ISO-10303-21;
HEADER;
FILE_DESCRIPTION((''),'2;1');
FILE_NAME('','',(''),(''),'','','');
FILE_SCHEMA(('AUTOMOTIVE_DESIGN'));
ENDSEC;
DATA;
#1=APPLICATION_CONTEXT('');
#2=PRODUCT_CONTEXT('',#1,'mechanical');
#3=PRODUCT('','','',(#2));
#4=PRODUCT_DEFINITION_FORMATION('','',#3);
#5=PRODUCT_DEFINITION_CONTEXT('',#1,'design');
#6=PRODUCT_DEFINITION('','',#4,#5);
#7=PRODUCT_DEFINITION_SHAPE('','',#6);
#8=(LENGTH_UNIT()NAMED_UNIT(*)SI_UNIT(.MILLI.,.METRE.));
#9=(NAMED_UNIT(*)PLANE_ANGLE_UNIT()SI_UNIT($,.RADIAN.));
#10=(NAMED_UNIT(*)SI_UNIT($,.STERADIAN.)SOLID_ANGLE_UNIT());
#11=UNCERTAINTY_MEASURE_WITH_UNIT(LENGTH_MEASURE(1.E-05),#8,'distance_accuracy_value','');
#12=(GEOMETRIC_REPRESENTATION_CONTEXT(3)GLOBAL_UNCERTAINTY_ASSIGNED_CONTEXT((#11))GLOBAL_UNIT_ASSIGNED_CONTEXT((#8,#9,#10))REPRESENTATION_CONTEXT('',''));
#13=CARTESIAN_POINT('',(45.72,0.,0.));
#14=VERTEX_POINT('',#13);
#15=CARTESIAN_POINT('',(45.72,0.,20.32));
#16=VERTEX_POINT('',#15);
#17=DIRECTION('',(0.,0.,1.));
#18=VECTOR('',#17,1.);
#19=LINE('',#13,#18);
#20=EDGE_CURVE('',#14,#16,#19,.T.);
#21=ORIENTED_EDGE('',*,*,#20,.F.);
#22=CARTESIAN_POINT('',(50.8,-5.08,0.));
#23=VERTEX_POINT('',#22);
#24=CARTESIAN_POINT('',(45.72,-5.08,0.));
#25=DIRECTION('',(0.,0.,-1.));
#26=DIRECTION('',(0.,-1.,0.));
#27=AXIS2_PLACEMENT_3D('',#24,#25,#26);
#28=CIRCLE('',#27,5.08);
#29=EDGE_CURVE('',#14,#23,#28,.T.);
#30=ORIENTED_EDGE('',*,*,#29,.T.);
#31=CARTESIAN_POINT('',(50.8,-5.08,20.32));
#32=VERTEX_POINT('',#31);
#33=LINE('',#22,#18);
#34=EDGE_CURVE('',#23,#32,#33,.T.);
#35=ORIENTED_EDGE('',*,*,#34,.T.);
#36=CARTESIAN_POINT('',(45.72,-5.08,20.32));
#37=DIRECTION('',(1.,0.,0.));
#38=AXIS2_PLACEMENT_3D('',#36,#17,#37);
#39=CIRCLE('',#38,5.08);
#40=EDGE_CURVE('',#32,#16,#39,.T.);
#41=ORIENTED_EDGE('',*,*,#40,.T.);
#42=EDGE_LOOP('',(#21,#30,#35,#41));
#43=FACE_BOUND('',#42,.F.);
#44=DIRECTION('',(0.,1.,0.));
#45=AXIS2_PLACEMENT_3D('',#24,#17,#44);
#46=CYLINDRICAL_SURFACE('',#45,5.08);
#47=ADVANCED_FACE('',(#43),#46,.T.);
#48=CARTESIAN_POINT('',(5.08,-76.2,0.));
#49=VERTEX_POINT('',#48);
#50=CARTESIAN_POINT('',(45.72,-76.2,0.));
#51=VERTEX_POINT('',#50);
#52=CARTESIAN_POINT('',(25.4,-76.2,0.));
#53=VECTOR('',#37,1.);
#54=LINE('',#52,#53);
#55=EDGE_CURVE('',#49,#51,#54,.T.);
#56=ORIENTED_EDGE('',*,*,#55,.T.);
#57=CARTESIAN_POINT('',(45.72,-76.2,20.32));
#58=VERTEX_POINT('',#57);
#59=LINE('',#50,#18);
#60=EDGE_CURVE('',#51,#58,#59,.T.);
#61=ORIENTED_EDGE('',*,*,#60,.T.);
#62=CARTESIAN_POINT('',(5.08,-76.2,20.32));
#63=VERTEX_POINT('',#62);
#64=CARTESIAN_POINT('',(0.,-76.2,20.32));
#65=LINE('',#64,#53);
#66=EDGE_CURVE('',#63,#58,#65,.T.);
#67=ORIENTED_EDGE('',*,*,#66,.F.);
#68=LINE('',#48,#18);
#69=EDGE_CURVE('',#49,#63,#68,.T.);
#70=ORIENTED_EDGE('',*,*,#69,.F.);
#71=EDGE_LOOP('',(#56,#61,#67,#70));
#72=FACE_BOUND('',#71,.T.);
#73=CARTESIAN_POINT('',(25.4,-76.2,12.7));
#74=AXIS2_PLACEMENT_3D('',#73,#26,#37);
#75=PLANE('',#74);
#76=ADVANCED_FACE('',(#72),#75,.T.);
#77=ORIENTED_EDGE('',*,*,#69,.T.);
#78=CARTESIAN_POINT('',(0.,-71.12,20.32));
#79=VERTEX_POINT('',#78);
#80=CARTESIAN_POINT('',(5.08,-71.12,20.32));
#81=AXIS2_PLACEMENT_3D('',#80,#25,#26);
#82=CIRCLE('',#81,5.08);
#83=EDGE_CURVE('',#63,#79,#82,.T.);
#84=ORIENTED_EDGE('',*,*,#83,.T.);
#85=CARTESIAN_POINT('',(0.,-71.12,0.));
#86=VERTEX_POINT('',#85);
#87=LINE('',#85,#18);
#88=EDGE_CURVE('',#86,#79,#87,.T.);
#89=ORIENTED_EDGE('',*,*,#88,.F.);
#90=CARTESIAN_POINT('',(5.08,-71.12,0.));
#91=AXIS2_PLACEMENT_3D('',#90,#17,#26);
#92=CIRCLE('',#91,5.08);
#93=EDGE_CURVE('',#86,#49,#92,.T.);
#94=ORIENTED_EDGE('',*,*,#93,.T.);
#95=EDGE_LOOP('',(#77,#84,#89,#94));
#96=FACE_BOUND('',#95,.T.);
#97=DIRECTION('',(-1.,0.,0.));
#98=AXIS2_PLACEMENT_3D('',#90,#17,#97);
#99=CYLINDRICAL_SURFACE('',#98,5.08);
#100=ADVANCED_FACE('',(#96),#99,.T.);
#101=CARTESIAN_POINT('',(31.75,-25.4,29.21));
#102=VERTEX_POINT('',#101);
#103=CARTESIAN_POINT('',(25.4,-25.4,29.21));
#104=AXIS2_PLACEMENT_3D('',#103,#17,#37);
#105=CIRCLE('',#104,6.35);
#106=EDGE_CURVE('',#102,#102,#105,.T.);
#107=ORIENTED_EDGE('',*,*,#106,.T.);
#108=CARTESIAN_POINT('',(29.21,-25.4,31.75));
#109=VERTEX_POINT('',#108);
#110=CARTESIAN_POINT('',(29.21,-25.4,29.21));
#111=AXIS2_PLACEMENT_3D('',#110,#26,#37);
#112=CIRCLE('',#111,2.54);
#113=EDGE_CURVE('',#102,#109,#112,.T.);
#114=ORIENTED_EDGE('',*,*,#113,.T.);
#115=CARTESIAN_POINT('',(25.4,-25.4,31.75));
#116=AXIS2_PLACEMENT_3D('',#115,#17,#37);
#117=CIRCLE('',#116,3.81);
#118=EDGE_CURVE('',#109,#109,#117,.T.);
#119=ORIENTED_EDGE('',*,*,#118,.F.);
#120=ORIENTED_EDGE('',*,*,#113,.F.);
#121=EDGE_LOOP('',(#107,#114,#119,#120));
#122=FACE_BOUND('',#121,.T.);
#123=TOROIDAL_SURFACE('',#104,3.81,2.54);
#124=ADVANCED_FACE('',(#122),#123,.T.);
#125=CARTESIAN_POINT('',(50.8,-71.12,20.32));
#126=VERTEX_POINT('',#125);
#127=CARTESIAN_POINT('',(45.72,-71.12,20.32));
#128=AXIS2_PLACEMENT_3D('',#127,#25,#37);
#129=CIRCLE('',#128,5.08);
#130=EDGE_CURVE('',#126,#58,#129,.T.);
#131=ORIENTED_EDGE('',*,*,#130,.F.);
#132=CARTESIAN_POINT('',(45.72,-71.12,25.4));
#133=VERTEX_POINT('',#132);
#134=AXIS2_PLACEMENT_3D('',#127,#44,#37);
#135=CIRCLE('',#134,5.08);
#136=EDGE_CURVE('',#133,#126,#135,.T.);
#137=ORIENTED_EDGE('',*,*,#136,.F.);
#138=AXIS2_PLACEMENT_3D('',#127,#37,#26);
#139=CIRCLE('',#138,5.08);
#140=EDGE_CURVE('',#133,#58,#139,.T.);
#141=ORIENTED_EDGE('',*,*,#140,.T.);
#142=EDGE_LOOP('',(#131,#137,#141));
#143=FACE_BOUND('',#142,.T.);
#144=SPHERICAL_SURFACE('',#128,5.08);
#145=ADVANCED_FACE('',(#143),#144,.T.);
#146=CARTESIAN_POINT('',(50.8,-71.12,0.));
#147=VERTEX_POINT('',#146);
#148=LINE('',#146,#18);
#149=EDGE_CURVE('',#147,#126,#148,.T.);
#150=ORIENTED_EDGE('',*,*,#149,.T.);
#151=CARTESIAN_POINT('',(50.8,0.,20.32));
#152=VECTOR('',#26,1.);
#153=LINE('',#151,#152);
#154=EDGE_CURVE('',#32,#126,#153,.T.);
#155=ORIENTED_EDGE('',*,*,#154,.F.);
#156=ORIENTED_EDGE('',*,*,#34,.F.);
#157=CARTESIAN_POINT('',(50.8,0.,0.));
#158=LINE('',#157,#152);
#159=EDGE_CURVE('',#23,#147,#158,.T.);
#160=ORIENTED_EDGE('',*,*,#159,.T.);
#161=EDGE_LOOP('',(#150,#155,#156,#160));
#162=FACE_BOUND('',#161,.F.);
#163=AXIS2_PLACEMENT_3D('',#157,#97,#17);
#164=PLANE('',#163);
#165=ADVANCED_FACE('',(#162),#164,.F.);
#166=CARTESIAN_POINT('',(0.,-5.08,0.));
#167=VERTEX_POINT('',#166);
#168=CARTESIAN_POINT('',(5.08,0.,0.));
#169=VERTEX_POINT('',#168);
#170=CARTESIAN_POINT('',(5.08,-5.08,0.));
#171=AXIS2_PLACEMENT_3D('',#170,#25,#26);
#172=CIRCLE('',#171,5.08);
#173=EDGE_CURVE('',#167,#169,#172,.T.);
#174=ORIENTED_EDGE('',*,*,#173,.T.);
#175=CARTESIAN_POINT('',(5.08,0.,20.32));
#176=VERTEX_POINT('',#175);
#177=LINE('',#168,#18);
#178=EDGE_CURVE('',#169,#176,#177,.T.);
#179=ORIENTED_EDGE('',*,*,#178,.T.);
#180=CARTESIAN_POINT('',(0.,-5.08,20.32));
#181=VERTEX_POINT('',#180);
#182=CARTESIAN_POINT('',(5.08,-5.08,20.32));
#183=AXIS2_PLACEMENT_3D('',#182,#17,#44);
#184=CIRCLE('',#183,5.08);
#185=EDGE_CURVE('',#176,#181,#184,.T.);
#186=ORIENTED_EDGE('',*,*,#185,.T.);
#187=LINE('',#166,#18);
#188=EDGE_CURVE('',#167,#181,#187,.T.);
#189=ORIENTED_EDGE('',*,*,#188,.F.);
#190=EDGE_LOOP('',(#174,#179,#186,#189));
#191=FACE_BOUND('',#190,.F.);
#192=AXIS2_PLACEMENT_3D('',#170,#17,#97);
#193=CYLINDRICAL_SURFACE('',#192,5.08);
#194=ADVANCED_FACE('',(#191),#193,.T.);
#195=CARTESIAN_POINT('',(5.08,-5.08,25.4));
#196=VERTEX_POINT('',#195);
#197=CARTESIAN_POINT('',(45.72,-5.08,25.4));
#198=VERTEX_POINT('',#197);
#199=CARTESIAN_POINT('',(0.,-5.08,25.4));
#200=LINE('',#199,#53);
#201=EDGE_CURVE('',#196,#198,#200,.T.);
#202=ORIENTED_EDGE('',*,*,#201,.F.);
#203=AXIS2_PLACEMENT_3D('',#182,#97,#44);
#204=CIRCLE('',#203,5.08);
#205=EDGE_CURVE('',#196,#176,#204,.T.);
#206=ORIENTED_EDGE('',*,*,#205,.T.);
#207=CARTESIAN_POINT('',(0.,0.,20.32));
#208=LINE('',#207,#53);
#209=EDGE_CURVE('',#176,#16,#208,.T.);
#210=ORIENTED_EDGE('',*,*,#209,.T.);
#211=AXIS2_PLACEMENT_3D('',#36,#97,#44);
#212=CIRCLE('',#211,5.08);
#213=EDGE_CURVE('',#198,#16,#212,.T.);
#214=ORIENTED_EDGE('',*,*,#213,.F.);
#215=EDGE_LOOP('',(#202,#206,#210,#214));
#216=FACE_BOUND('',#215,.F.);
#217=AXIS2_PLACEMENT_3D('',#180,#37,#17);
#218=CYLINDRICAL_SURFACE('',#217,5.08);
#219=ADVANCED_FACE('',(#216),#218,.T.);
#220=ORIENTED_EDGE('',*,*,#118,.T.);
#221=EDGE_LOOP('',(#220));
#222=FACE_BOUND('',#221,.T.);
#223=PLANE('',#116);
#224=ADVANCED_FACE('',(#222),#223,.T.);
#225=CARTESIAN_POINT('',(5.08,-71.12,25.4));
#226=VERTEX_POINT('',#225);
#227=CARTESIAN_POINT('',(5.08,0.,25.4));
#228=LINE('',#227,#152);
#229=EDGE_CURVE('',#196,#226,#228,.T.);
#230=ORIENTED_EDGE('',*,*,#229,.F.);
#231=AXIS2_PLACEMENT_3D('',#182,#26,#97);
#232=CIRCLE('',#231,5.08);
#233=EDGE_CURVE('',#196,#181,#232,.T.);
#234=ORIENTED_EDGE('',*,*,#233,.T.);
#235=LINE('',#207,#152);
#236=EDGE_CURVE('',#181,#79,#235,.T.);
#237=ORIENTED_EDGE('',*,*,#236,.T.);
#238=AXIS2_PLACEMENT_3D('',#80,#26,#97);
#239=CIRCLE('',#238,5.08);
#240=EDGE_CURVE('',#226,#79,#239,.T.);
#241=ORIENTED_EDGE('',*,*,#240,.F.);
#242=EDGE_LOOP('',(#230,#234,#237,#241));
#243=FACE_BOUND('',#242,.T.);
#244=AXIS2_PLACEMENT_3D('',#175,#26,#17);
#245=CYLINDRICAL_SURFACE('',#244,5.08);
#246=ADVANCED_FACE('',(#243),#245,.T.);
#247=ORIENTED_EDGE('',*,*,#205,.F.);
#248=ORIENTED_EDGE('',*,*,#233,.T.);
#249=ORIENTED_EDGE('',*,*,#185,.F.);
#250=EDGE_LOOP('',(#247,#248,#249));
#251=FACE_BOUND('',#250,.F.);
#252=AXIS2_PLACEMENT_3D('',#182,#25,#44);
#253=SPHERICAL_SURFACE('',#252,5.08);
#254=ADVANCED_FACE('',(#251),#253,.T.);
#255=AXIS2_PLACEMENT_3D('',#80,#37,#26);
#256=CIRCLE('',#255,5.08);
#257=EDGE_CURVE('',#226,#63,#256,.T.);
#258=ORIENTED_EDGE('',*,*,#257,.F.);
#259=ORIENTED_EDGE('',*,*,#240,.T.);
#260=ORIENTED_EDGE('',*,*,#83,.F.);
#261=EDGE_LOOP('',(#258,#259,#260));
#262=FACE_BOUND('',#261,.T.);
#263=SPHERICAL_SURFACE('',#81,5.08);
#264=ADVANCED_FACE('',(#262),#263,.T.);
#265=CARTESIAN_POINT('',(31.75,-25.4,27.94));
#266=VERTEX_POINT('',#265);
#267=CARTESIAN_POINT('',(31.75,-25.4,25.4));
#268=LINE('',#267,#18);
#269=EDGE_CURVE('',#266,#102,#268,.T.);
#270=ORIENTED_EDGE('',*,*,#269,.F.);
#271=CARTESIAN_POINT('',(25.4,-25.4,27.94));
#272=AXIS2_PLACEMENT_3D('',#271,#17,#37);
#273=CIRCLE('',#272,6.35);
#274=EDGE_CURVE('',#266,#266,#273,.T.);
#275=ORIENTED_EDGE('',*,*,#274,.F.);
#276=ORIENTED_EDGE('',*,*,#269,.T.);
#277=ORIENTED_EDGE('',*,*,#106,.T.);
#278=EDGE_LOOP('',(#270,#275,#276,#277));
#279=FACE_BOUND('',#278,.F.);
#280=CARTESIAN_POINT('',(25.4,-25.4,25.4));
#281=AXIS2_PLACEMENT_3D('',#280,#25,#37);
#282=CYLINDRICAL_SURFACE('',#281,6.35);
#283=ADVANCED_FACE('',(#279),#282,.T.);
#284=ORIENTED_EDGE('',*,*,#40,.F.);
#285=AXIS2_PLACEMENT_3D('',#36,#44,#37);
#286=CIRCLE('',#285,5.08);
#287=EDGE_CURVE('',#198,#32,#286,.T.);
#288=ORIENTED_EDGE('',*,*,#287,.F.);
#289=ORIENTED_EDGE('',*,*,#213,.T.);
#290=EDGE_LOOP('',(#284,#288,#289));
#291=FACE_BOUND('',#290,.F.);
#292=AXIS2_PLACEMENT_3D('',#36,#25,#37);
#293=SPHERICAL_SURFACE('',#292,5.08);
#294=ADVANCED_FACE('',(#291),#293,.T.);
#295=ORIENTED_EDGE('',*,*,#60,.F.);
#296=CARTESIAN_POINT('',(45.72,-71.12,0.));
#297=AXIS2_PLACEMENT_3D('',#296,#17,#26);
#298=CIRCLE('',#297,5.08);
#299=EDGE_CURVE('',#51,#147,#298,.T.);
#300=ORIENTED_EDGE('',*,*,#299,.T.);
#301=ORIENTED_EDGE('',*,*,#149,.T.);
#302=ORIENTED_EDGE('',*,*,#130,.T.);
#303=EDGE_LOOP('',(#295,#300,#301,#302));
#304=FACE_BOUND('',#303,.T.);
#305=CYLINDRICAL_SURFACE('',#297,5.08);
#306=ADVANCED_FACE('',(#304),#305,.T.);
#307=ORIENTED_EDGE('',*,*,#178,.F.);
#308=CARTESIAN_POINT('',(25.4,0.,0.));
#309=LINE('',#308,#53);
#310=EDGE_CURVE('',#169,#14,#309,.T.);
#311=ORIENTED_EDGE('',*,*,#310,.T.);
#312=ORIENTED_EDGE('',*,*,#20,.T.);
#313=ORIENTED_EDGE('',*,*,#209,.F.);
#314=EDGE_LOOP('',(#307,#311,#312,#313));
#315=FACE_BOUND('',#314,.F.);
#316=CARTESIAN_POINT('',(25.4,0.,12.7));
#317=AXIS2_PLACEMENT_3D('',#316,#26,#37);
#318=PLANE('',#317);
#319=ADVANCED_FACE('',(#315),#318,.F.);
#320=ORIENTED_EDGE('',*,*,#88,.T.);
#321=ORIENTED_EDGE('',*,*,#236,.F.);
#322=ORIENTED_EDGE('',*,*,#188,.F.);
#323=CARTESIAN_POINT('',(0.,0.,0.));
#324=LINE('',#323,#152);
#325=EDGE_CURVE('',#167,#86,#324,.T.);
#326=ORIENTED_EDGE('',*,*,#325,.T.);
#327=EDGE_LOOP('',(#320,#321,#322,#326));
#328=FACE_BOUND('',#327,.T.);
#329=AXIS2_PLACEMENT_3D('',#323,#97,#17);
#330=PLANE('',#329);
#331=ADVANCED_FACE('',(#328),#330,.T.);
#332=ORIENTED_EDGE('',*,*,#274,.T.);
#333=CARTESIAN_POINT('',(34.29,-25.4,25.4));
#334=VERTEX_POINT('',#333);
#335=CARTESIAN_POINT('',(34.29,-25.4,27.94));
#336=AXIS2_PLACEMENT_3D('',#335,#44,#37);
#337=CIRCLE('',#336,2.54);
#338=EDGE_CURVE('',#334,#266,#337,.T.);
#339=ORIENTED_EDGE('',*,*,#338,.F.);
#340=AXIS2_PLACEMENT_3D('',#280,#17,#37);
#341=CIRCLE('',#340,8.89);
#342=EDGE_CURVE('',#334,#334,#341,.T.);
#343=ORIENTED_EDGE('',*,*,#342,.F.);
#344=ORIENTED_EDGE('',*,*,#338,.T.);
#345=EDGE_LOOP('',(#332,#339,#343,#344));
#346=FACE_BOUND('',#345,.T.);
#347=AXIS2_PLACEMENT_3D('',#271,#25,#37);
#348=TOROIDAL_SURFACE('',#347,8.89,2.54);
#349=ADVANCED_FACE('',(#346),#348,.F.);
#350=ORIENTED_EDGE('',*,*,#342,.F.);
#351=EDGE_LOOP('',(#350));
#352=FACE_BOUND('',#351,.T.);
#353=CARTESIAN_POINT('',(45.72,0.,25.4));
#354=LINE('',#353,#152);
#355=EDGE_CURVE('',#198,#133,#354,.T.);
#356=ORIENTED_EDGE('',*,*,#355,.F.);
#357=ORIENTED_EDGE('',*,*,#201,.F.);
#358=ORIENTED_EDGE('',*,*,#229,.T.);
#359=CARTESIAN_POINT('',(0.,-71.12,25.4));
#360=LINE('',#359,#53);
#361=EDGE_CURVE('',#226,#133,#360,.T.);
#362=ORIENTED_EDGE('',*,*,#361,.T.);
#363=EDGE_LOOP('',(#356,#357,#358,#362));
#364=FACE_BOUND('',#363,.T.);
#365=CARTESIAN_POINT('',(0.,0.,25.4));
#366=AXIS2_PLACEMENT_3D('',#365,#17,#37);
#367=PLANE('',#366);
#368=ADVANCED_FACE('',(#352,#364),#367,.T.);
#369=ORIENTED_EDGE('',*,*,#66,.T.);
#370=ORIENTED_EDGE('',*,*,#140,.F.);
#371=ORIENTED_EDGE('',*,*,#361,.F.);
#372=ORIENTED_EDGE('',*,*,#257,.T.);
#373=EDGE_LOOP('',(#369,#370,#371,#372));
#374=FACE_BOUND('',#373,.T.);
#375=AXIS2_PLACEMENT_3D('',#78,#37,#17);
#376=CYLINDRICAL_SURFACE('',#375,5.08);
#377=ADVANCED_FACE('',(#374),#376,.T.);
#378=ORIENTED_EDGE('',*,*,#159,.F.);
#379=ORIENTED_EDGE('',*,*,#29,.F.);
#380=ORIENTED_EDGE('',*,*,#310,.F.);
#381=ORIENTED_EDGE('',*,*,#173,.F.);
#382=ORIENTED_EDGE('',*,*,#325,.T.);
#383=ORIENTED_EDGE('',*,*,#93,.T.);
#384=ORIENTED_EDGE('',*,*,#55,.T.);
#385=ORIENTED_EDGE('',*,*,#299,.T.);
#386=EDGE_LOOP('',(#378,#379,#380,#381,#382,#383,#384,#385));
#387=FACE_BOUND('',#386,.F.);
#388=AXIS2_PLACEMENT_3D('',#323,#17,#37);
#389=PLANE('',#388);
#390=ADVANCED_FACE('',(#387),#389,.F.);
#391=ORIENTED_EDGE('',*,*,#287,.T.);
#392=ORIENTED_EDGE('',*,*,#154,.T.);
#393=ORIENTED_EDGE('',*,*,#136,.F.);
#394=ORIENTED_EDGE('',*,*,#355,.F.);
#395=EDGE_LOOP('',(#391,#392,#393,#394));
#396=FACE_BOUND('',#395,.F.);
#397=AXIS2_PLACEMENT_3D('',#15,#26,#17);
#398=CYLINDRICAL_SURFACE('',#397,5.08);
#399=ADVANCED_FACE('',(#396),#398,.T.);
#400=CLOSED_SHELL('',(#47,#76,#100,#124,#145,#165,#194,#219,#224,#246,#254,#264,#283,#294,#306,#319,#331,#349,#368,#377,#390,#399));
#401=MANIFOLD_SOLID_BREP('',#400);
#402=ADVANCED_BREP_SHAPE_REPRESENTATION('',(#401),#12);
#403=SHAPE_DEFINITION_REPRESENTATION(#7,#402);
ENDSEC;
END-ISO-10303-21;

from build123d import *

# Parameters (mm, degrees)
F0_W     = 50.8
F0_H     = 25.4
F1_DEPTH = 76.2
F2_R     = 6.35
F3_DEPTH = 6.35
F4_R     = 2.54
F5_R     = 5.08


with BuildPart() as f1:
    # F0 (on Front) → F1 (new body)
    with BuildSketch(Plane.XZ):
        with Locations((25.4, 12.7)):
            Rectangle(F0_W, F0_H)
    extrude(amount=F1_DEPTH)

    # F2 (on face) → F3 (join)
    with BuildSketch(Plane.XY.offset(25.4)):
        with Locations((25.4, -25.4)):
            Circle(F2_R)
    extrude(amount=F3_DEPTH)

    # F4
    f4_edges = [f1.edges().sort_by_distance(p)[0] for p in [
        (19.05, -25.4, 25.4),
        (19.05, -25.4, 31.75),
    ]]
    fillet(f4_edges, radius=F4_R)

    # F5
    f5_edges = [f1.edges().sort_by_distance(p)[0] for p in [
        (50.8, -76.2, 12.7),
        (50.8, 0, 12.7),
        (0, 0, 12.7),
        (0, -76.2, 12.7),
        (16.51, -25.4, 25.4),
        (50.8, -38.1, 25.4),
        (25.4, 0, 25.4),
        (25.4, -76.2, 25.4),
        (0, -38.1, 25.4),
    ]]
    fillet(f5_edges, radius=F5_R)


solid = f1.part
